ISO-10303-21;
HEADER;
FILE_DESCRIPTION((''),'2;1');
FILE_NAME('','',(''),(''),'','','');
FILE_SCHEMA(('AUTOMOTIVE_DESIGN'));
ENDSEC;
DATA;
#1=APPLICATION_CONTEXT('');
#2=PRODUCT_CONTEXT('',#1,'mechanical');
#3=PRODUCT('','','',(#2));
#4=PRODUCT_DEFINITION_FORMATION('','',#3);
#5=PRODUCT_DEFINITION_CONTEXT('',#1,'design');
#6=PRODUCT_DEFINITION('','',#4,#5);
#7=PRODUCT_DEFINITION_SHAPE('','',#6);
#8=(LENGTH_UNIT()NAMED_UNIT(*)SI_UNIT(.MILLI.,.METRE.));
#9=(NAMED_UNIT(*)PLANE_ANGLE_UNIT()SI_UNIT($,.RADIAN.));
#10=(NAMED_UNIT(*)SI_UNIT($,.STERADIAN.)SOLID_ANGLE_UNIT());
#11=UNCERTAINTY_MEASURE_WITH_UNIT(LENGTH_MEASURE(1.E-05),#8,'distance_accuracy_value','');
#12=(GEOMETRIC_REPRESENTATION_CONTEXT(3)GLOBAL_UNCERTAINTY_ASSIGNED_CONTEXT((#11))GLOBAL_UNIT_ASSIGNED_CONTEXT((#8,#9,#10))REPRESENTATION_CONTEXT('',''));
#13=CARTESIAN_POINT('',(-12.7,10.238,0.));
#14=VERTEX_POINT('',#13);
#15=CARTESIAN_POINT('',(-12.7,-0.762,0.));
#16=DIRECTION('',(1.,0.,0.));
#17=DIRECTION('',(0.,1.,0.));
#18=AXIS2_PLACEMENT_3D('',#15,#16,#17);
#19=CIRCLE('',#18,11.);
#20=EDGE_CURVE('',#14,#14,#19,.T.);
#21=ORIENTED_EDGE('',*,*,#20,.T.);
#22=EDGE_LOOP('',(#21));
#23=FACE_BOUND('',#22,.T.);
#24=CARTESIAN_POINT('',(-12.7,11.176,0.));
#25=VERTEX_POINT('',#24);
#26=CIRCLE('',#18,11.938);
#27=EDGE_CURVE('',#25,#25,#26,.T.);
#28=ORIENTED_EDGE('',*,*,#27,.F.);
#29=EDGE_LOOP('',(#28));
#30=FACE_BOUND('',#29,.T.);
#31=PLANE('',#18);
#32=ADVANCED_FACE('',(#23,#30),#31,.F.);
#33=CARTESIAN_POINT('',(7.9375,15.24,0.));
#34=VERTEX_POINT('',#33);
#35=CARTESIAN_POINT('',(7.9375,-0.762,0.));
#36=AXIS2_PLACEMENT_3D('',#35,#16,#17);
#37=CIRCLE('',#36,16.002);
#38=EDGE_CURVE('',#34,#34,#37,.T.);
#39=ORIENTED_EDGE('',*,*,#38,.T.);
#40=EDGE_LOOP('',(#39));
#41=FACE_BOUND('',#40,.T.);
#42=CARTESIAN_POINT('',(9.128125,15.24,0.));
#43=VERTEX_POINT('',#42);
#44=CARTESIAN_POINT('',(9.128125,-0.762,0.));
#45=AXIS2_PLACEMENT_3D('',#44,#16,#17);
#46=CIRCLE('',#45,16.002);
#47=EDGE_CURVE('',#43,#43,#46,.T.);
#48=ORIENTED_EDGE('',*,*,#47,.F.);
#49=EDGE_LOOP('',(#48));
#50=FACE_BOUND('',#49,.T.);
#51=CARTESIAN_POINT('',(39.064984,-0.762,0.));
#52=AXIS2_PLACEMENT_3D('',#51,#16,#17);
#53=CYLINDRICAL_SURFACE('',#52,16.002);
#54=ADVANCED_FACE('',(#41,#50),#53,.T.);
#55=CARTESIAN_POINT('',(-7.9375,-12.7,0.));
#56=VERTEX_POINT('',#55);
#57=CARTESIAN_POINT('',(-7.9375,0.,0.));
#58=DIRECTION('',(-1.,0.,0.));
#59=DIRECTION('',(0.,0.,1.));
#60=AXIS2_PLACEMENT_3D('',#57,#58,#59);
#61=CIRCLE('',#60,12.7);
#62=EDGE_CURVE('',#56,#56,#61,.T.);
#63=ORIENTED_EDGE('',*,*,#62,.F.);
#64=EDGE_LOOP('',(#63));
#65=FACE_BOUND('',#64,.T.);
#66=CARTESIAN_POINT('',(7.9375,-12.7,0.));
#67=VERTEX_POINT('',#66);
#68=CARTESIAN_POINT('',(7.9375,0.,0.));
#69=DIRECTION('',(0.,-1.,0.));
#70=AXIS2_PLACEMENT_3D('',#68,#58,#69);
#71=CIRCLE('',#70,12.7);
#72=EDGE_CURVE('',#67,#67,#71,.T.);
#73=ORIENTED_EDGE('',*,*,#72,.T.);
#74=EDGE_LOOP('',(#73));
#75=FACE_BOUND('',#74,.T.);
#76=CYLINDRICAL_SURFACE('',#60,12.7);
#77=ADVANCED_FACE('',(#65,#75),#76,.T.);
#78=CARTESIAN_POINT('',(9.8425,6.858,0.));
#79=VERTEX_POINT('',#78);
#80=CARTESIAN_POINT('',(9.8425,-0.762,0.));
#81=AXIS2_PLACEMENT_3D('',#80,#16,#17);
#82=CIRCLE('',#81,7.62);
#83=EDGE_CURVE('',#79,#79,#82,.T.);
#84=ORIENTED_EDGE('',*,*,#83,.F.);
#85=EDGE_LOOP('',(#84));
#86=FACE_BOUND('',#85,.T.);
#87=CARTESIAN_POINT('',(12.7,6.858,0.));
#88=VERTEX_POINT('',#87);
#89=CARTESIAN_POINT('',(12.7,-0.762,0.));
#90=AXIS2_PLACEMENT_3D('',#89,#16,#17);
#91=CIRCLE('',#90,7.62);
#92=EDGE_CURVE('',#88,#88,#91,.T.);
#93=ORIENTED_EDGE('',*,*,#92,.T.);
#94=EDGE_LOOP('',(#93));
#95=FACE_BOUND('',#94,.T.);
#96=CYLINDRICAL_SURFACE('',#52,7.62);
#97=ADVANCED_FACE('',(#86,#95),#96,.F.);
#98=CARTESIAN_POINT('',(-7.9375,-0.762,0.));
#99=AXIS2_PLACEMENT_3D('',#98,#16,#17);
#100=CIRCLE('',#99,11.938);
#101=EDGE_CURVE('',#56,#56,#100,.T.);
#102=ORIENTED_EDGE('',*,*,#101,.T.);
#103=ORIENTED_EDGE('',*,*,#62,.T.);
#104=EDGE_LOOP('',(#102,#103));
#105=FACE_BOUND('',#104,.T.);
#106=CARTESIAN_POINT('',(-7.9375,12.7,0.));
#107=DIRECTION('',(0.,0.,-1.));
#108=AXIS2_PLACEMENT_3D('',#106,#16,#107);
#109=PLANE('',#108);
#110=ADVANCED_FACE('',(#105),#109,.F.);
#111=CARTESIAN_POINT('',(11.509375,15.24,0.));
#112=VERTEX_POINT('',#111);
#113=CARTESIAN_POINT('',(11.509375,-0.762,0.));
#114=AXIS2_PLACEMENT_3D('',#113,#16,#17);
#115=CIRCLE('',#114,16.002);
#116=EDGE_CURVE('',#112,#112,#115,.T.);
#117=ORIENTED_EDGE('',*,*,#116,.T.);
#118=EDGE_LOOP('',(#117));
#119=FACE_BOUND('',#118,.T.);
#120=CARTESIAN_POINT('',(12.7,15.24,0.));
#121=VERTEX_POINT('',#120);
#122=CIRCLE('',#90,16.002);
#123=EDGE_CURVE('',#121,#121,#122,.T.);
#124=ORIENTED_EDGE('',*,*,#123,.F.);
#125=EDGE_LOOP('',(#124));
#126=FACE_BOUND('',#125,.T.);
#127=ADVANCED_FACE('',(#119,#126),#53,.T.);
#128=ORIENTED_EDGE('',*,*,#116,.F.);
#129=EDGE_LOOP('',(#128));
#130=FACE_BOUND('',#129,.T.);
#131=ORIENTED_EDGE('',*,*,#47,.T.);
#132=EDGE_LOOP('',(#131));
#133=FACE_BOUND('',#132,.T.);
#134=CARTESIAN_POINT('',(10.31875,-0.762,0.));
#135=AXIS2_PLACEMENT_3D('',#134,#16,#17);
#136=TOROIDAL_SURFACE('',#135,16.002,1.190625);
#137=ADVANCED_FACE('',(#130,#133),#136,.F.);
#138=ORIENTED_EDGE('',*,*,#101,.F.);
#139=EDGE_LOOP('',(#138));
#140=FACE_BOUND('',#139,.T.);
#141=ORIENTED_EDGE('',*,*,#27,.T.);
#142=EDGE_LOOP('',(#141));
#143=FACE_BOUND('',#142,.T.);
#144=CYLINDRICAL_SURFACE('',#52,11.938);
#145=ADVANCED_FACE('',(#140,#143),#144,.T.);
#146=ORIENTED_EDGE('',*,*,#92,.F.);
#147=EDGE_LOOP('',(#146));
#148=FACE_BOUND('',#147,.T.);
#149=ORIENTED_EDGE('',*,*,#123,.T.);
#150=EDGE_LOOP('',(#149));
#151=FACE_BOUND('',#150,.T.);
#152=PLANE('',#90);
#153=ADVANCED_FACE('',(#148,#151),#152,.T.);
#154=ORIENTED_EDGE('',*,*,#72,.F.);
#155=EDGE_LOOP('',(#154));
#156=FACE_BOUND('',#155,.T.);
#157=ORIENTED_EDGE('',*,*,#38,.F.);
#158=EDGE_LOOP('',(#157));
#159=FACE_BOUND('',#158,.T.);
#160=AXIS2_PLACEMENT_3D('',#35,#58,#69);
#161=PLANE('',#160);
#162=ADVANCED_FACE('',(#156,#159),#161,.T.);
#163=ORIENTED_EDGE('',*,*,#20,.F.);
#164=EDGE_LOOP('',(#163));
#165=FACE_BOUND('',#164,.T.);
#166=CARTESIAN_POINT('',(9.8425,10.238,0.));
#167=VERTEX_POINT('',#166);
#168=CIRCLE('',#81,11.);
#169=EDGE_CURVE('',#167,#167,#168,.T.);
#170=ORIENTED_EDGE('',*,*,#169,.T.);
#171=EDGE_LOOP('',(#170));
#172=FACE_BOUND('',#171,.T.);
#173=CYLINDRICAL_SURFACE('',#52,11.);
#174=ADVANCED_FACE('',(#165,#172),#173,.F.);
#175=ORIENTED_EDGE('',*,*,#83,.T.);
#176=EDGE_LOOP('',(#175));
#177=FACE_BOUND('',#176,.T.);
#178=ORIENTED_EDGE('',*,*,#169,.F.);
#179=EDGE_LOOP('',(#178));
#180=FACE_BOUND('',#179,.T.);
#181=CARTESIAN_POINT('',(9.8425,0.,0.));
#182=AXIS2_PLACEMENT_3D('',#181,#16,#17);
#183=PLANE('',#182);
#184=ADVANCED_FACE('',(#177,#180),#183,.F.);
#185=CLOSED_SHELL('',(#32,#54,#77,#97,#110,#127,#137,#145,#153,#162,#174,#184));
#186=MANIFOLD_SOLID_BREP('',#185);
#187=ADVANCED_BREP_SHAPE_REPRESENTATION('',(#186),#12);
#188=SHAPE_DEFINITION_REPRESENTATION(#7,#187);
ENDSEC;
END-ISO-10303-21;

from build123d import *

# Parameters (mm, degrees)
SKETCH1_W = 15.875
SKETCH1_H = 12.7


with BuildPart() as part:
    # Sketch1 → Colar press section (revolve)
    with BuildSketch(Plane.XY):
        with Locations((0, 6.35)):
            Rectangle(SKETCH1_W, SKETCH1_H)
    revolve(axis=Axis((-7.9375, 0, 0), (1, 0, 0)))

    # Sketch7 → Revolve2 (revolve)
    with BuildSketch(Plane.XY):
        with BuildLine():
            Line((12.7, -0.762), (7.9375, -0.762))
            Line((7.9375, -0.762), (7.9375, 15.24))
            Line((7.9375, 15.24), (9.128125, 15.24))
            ThreePointArc((9.128125, 15.24), (10.31875, 14.049375), (11.509375, 15.24))
            Line((11.509375, 15.24), (12.7, 15.24))
            Line((12.7, 15.24), (12.7, -0.762))
        make_face()
        Polygon((-12.7, -0.762), (-7.9375, -0.762), (-7.9375, -12.7), (-9.128125, -12.7), (-11.509375, -12.7), (-12.7, -12.7), align=None)
    revolve(axis=Axis((39.064984039, -0.762, 0), (-1, 0, 0)))

    # Sketch8 → Cut-Revolve3 (revolve, cut)
    with BuildSketch(Plane.XY):
        Polygon((-12.7, -0.762), (12.7, -0.762), (12.7, 6.858), (9.8425, 6.858), (9.8425, 10.238), (-12.7, 10.238), align=None)
    revolve(axis=Axis((39.064984039, -0.762, 0), (-1, 0, 0)), mode=Mode.SUBTRACT)


solid = part.part
